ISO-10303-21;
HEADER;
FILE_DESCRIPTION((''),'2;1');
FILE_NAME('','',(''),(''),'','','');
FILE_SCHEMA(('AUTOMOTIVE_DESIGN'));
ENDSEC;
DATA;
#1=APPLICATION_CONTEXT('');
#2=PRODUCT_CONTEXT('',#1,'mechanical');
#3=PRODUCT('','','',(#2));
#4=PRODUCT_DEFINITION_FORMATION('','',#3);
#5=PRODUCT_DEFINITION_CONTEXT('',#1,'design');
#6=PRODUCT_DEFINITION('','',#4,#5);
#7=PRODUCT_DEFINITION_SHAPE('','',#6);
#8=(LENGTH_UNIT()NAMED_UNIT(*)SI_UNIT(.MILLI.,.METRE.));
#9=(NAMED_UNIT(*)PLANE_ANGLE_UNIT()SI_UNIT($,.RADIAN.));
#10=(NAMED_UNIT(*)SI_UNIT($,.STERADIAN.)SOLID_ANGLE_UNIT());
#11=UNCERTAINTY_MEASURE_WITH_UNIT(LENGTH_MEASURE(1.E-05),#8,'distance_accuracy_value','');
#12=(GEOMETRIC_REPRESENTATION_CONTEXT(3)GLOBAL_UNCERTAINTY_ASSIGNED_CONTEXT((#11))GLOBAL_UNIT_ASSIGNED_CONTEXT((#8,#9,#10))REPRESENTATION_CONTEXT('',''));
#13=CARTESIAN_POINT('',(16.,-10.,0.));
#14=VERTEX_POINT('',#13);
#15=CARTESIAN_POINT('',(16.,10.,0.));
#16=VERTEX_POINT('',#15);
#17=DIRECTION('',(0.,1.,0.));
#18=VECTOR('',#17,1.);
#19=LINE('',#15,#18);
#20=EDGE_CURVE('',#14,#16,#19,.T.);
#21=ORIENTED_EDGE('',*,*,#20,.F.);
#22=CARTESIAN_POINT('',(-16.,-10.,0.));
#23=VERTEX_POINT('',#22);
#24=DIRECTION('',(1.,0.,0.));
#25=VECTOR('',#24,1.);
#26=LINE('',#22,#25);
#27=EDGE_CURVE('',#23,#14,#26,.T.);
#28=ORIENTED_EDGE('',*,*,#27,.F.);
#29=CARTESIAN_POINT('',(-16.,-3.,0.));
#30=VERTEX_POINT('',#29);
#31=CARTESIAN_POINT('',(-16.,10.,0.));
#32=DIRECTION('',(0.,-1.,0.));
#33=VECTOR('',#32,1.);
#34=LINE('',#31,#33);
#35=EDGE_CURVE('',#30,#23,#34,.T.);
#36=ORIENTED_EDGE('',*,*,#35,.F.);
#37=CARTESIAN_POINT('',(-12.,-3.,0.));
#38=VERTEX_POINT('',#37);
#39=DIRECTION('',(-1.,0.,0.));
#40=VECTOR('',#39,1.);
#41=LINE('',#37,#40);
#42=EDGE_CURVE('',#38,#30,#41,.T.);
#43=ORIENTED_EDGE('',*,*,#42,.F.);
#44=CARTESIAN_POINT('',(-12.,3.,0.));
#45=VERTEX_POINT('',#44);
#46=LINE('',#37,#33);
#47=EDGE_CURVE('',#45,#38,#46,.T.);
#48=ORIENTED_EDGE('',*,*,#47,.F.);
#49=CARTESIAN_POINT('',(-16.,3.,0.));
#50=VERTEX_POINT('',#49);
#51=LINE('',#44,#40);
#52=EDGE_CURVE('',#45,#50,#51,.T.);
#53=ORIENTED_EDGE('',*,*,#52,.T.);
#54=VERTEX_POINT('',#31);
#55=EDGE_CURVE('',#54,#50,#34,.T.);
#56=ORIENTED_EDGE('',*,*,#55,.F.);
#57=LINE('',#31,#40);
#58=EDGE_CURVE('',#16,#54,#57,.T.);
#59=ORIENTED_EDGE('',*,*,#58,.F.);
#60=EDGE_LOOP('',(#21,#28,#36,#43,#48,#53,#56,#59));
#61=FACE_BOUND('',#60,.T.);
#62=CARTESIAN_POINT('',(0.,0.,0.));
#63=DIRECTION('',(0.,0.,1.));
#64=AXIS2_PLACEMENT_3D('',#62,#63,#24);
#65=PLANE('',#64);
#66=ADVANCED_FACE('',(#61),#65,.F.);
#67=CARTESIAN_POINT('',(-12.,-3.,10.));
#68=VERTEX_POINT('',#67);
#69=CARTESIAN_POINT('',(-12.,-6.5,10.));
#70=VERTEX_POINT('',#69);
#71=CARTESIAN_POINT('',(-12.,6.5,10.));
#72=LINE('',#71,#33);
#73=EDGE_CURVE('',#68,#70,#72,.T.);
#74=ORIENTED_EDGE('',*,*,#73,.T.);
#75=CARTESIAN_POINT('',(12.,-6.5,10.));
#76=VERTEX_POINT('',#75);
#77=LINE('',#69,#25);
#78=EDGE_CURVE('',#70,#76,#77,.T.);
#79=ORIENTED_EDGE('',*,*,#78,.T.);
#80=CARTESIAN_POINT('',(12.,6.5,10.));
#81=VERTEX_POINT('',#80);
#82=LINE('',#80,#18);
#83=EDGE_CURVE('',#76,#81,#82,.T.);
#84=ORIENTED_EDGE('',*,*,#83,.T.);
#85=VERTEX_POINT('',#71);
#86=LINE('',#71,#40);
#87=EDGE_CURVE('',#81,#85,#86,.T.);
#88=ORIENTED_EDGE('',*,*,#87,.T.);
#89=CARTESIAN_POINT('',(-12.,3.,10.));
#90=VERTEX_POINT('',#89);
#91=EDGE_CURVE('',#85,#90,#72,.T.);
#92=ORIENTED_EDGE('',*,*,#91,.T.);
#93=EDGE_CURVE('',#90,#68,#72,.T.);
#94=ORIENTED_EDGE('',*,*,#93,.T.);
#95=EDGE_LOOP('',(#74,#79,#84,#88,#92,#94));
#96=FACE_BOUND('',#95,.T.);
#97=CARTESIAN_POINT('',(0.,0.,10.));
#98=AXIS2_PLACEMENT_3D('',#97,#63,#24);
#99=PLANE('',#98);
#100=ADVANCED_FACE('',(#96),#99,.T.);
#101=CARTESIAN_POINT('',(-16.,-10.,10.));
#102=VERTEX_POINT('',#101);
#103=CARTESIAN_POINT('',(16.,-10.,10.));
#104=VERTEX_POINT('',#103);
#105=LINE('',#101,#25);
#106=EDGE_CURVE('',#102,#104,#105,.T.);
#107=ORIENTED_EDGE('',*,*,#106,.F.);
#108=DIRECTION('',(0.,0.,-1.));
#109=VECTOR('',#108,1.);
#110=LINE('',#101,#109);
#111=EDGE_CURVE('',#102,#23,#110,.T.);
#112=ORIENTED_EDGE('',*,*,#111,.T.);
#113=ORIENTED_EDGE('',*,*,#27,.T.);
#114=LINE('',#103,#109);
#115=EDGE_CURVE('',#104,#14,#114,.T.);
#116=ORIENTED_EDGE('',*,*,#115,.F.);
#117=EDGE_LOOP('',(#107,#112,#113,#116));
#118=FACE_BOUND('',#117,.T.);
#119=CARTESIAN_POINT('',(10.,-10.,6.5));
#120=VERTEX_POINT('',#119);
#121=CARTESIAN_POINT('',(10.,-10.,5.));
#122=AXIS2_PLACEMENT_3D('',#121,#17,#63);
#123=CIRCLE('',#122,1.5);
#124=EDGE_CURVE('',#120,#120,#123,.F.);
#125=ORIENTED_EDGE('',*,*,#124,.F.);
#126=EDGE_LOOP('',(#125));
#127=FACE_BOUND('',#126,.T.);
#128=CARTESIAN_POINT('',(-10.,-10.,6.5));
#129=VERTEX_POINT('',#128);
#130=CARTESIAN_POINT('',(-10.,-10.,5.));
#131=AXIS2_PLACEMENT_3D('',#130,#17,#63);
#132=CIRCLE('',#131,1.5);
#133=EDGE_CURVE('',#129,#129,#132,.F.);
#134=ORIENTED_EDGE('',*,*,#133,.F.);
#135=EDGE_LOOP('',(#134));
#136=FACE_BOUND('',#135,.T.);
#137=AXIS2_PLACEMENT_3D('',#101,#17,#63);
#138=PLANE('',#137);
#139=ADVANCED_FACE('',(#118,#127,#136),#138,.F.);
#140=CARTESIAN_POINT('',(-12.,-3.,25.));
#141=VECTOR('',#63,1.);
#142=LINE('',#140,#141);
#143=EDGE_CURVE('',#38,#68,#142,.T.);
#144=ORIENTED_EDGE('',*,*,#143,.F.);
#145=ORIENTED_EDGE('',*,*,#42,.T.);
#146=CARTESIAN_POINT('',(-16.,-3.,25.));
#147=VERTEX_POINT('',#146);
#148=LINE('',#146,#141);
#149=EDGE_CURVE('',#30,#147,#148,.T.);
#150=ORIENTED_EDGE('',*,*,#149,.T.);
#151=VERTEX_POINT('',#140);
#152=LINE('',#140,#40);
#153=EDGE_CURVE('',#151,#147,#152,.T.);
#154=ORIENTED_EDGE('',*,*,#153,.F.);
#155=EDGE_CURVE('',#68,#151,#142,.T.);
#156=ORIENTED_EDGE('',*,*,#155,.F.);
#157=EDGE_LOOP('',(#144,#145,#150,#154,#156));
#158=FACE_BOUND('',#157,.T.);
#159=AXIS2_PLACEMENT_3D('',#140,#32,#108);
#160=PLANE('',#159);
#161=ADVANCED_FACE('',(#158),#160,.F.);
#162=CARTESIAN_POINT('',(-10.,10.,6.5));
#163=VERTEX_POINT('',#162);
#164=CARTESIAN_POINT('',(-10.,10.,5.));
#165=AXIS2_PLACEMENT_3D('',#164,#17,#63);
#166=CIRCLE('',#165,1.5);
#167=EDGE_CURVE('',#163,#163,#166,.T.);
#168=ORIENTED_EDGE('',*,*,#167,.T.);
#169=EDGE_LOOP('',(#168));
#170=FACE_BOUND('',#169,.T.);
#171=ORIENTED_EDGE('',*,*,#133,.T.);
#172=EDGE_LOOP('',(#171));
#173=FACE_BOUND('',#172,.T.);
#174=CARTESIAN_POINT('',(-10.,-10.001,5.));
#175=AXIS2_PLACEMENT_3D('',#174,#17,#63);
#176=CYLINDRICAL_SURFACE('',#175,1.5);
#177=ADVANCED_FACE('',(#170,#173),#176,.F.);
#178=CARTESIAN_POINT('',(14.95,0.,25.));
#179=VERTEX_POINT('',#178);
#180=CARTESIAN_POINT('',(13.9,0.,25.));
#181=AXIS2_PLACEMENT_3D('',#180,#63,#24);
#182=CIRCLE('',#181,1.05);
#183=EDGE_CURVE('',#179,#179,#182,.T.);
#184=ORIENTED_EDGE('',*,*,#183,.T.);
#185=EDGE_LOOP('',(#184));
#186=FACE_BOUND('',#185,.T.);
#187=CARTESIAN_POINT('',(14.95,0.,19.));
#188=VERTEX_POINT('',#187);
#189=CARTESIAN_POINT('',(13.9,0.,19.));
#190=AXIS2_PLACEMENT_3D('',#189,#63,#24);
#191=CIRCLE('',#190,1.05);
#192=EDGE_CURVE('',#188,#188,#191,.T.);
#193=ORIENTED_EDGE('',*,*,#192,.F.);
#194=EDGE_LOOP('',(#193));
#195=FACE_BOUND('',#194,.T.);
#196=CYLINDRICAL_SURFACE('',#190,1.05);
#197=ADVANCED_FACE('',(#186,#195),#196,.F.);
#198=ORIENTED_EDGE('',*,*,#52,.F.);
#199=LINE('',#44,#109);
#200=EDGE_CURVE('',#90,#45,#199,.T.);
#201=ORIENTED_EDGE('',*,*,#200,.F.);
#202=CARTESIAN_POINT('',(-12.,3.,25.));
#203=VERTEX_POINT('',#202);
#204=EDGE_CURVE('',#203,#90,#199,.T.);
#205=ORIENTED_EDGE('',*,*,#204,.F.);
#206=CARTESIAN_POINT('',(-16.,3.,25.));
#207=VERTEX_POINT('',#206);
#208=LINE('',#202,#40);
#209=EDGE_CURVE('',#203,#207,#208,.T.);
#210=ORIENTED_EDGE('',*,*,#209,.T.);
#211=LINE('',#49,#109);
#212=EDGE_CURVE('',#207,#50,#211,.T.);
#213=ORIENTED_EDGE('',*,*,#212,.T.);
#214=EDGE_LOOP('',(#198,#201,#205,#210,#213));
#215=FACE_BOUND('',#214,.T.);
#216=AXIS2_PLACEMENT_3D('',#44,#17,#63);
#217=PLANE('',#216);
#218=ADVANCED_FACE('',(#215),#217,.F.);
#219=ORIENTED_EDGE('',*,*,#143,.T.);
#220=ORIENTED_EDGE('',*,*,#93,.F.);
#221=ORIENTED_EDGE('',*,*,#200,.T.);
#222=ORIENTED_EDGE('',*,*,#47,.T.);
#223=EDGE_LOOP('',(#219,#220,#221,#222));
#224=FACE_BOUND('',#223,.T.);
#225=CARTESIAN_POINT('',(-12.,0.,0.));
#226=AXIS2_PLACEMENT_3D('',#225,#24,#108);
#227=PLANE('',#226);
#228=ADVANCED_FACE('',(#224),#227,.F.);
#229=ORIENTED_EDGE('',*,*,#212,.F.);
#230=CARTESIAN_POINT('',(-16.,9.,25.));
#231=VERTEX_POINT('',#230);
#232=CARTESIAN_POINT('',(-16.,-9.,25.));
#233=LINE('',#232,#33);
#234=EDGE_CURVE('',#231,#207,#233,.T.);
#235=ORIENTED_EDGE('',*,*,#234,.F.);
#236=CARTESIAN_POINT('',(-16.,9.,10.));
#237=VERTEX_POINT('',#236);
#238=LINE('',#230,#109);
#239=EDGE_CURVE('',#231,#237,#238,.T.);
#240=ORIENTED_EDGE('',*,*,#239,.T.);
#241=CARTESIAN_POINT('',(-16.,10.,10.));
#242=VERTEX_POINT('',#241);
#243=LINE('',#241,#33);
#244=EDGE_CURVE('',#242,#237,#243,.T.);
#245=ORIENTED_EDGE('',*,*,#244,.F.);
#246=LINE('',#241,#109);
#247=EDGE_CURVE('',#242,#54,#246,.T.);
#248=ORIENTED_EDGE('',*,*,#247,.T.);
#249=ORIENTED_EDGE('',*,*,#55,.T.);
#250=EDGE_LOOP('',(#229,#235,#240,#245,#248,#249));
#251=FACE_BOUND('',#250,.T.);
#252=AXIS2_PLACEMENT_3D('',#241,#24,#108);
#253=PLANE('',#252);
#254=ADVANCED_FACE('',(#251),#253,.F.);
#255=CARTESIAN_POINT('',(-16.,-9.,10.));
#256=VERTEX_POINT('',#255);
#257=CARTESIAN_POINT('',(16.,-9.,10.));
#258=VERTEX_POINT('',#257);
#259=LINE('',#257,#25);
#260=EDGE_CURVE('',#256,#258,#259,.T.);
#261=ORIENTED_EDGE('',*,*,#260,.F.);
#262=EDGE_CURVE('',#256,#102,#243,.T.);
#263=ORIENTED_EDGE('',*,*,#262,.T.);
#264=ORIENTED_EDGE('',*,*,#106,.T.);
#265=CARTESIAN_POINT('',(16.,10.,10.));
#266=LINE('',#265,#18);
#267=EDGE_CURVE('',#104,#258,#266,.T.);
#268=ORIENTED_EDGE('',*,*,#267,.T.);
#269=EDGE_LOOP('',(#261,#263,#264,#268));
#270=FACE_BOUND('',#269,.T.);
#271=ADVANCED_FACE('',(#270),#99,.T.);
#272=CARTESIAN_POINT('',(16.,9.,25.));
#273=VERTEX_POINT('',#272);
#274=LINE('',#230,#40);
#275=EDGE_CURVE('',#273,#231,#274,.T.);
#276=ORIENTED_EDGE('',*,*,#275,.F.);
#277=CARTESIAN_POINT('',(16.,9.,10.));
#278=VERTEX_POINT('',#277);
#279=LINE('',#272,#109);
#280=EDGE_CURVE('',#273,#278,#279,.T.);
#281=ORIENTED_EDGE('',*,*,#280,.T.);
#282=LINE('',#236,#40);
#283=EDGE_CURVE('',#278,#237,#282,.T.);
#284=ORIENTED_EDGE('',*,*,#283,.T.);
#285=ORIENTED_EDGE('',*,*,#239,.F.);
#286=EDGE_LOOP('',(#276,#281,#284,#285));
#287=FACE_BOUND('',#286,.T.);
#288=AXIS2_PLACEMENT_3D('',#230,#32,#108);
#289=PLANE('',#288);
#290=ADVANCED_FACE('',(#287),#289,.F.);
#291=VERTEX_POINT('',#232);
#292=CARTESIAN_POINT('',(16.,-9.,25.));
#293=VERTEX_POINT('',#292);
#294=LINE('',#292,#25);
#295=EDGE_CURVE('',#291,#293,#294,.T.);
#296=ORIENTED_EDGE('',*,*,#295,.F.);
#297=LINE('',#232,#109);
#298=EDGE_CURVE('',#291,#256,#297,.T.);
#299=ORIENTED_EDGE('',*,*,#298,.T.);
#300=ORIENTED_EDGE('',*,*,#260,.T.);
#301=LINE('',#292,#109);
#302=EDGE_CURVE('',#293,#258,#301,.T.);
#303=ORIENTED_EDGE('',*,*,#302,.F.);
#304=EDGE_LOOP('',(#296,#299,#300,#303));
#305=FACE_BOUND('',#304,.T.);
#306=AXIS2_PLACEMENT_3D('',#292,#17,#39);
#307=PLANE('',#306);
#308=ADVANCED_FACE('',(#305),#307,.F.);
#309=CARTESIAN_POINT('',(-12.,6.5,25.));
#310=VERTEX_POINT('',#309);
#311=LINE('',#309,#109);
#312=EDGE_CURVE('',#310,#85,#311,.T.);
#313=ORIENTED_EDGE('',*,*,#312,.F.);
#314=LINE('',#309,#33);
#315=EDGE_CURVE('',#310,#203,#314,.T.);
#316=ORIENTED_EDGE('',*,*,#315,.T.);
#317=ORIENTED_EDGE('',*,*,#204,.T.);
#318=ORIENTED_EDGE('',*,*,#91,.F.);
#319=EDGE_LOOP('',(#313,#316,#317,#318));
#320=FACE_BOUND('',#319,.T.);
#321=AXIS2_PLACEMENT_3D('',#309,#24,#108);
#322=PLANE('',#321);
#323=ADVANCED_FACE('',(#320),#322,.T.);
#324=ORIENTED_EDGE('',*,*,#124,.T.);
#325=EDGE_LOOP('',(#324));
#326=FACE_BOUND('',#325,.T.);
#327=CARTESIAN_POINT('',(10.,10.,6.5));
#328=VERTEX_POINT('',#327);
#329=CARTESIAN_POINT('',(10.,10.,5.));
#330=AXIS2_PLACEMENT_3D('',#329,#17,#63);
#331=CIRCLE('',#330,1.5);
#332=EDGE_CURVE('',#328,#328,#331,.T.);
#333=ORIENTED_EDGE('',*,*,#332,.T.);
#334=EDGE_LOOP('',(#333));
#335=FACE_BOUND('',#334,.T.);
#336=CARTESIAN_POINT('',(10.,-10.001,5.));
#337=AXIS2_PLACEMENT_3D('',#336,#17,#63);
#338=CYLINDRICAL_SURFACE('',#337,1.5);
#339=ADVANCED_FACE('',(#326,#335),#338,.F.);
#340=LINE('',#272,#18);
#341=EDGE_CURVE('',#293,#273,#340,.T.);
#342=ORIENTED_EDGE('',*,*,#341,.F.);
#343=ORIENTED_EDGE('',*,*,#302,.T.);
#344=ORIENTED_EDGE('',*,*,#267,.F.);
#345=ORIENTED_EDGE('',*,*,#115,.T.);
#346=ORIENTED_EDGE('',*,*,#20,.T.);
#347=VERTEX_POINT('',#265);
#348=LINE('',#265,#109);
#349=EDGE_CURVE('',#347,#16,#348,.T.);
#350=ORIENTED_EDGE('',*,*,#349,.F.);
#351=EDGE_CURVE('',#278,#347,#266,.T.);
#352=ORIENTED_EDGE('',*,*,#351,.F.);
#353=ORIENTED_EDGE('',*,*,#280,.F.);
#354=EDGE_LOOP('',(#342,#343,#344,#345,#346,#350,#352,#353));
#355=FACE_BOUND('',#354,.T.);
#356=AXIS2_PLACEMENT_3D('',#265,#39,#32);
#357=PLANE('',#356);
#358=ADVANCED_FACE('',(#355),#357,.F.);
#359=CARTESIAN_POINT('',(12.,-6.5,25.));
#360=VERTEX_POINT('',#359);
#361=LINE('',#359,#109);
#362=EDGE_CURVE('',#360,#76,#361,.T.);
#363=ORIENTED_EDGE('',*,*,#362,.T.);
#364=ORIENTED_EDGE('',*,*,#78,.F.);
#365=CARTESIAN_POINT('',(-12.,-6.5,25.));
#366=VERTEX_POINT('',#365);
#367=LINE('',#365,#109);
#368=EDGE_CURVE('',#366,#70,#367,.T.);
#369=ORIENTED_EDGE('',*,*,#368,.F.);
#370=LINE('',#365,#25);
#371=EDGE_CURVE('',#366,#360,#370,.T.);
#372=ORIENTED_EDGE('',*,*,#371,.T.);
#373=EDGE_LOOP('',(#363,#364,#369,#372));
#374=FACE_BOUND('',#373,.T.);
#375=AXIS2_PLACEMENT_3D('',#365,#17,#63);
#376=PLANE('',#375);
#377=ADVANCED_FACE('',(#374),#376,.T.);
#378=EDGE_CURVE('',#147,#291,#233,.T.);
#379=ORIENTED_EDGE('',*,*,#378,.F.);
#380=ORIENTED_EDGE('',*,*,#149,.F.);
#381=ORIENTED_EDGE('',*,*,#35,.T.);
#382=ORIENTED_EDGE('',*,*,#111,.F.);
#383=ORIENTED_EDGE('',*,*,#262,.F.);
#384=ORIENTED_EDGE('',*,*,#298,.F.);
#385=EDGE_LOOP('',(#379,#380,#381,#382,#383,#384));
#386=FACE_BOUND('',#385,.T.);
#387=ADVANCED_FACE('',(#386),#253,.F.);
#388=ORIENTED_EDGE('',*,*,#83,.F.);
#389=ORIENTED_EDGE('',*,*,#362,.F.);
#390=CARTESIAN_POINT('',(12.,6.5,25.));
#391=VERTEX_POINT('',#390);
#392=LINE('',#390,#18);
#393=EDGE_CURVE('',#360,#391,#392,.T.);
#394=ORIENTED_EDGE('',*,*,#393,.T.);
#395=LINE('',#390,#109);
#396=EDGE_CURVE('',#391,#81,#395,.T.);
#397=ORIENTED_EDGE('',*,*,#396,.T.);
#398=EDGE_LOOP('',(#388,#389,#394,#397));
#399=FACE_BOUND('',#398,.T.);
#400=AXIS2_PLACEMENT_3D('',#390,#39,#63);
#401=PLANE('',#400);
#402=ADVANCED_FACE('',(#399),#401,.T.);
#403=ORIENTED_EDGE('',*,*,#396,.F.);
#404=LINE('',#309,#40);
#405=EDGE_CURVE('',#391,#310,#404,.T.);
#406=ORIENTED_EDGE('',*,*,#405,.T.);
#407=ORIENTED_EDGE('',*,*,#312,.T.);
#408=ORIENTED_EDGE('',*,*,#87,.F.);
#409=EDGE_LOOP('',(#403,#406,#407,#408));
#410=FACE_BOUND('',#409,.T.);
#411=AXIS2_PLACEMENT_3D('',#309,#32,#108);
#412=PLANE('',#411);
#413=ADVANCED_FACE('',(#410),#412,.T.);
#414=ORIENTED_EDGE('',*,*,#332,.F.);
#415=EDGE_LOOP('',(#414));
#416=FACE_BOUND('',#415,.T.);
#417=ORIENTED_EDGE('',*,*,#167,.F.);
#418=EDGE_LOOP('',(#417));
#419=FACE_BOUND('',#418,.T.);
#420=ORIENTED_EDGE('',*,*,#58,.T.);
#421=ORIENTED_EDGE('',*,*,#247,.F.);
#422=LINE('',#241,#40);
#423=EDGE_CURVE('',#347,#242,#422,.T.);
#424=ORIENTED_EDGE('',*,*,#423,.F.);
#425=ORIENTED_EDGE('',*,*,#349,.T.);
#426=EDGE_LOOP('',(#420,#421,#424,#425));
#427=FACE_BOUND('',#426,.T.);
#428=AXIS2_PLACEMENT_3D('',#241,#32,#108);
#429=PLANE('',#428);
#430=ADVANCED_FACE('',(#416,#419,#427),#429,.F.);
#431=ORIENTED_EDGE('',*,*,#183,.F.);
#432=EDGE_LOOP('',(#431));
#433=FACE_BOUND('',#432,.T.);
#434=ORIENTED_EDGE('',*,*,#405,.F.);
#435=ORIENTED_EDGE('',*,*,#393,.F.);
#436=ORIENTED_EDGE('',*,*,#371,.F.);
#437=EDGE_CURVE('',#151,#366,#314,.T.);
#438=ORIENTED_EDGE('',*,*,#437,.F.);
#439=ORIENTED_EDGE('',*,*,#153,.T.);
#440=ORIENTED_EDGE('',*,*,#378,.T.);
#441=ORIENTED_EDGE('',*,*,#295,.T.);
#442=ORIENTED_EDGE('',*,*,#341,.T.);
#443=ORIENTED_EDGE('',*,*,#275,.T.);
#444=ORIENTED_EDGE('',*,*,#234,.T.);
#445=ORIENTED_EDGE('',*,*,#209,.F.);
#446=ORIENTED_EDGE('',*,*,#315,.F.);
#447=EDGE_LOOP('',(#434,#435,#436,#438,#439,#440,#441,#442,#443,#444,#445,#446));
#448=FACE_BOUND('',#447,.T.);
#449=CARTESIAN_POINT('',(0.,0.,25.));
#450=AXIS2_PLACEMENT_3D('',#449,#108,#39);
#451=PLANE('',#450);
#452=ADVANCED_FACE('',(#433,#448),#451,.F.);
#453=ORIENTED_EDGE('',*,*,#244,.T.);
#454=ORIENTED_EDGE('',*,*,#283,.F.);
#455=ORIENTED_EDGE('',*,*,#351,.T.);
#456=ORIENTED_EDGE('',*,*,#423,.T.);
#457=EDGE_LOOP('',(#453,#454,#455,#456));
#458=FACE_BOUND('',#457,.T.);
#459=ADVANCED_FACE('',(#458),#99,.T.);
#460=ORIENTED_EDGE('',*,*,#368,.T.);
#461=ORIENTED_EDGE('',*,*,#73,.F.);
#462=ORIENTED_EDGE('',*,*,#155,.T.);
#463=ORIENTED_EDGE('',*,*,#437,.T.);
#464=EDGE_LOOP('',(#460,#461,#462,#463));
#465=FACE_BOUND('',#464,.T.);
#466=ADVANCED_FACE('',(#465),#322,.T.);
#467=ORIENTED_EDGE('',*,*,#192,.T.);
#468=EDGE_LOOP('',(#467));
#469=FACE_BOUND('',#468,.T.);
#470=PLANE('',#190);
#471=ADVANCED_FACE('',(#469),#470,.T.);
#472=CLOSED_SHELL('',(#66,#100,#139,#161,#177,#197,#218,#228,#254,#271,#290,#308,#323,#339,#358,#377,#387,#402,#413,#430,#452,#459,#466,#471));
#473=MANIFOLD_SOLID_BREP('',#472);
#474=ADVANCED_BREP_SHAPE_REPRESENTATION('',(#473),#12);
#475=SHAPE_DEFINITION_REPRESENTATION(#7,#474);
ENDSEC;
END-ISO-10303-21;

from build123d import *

# Parameters (mm, degrees)
ESQUISSE15_W             = 32
ESQUISSE15_H             = 20
BOSS_EXTRU_1_DEPTH       = 10
ESQUISSE16_W             = 32
ESQUISSE16_H             = 18
ESQUISSE16_W_2           = 24
ESQUISSE16_H_2           = 13
BOSS_EXTRU_2_DEPTH       = 15
ESQUISSE17_W             = 25
ESQUISSE17_H             = 6
ENL_V_MAT_EXTRU_8_DEPTH  = 4
ESQUISSE19_R             = 1.05
ENL_V_MAT_EXTRU_10_DEPTH = 6
ENL_V_MAT_EXTRU_11_REACH = 22
ESQUISSE20_R             = 1.5


with BuildPart() as part:
    # Esquisse15 → Boss.-Extru.1 (new body)
    with BuildSketch(Plane.XY):
        Rectangle(ESQUISSE15_W, ESQUISSE15_H)
    extrude(amount=BOSS_EXTRU_1_DEPTH)

    # Esquisse16 → Boss.-Extru.2 (add)
    with BuildSketch(Plane.XY.offset(10)):
        Rectangle(ESQUISSE16_W, ESQUISSE16_H)
        Rectangle(ESQUISSE16_W_2, ESQUISSE16_H_2, mode=Mode.SUBTRACT)
    extrude(amount=BOSS_EXTRU_2_DEPTH)

    # Esquisse17 → Enlèv. mat.-Extru.8 (cut)
    with BuildSketch(Plane.ZY.offset(16)):
        with Locations((12.5, 0)):
            Rectangle(ESQUISSE17_W, ESQUISSE17_H)
    extrude(amount=-ENL_V_MAT_EXTRU_8_DEPTH, mode=Mode.SUBTRACT)

    # Esquisse19 → Enlèv. mat.-Extru.10 (cut)
    with BuildSketch(Plane.XY.offset(25)):
        with Locations((13.9, 0)):
            Circle(ESQUISSE19_R)
    extrude(amount=-ENL_V_MAT_EXTRU_10_DEPTH, mode=Mode.SUBTRACT)

    # Esquisse20 → Enlèv. mat.-Extru.11 (cut, up to next)
    with BuildSketch(Plane(origin=(0, 10, 0), x_dir=(1, 0, 0), z_dir=(0, 1, 0)), mode=Mode.PRIVATE) as enl_v_mat_extru_11_sk1:
        with Locations((-10, -5)):
            Circle(ESQUISSE20_R)
    enl_v_mat_extru_11_tool1 = extrude(enl_v_mat_extru_11_sk1.sketch, amount=-ENL_V_MAT_EXTRU_11_REACH, mode=Mode.PRIVATE) & part.part
    add(enl_v_mat_extru_11_tool1.solids().sort_by_distance((-10, 10, 5))[0], mode=Mode.SUBTRACT)
    # Esquisse20 → Enlèv. mat.-Extru.11 (cut, up to next)
    with BuildSketch(Plane(origin=(0, 10, 0), x_dir=(1, 0, 0), z_dir=(0, 1, 0)), mode=Mode.PRIVATE) as enl_v_mat_extru_11_sk2:
        with Locations((10, -5)):
            Circle(ESQUISSE20_R)
    enl_v_mat_extru_11_tool2 = extrude(enl_v_mat_extru_11_sk2.sketch, amount=-ENL_V_MAT_EXTRU_11_REACH, mode=Mode.PRIVATE) & part.part
    add(enl_v_mat_extru_11_tool2.solids().sort_by_distance((10, 10, 5))[0], mode=Mode.SUBTRACT)


solid = part.part
